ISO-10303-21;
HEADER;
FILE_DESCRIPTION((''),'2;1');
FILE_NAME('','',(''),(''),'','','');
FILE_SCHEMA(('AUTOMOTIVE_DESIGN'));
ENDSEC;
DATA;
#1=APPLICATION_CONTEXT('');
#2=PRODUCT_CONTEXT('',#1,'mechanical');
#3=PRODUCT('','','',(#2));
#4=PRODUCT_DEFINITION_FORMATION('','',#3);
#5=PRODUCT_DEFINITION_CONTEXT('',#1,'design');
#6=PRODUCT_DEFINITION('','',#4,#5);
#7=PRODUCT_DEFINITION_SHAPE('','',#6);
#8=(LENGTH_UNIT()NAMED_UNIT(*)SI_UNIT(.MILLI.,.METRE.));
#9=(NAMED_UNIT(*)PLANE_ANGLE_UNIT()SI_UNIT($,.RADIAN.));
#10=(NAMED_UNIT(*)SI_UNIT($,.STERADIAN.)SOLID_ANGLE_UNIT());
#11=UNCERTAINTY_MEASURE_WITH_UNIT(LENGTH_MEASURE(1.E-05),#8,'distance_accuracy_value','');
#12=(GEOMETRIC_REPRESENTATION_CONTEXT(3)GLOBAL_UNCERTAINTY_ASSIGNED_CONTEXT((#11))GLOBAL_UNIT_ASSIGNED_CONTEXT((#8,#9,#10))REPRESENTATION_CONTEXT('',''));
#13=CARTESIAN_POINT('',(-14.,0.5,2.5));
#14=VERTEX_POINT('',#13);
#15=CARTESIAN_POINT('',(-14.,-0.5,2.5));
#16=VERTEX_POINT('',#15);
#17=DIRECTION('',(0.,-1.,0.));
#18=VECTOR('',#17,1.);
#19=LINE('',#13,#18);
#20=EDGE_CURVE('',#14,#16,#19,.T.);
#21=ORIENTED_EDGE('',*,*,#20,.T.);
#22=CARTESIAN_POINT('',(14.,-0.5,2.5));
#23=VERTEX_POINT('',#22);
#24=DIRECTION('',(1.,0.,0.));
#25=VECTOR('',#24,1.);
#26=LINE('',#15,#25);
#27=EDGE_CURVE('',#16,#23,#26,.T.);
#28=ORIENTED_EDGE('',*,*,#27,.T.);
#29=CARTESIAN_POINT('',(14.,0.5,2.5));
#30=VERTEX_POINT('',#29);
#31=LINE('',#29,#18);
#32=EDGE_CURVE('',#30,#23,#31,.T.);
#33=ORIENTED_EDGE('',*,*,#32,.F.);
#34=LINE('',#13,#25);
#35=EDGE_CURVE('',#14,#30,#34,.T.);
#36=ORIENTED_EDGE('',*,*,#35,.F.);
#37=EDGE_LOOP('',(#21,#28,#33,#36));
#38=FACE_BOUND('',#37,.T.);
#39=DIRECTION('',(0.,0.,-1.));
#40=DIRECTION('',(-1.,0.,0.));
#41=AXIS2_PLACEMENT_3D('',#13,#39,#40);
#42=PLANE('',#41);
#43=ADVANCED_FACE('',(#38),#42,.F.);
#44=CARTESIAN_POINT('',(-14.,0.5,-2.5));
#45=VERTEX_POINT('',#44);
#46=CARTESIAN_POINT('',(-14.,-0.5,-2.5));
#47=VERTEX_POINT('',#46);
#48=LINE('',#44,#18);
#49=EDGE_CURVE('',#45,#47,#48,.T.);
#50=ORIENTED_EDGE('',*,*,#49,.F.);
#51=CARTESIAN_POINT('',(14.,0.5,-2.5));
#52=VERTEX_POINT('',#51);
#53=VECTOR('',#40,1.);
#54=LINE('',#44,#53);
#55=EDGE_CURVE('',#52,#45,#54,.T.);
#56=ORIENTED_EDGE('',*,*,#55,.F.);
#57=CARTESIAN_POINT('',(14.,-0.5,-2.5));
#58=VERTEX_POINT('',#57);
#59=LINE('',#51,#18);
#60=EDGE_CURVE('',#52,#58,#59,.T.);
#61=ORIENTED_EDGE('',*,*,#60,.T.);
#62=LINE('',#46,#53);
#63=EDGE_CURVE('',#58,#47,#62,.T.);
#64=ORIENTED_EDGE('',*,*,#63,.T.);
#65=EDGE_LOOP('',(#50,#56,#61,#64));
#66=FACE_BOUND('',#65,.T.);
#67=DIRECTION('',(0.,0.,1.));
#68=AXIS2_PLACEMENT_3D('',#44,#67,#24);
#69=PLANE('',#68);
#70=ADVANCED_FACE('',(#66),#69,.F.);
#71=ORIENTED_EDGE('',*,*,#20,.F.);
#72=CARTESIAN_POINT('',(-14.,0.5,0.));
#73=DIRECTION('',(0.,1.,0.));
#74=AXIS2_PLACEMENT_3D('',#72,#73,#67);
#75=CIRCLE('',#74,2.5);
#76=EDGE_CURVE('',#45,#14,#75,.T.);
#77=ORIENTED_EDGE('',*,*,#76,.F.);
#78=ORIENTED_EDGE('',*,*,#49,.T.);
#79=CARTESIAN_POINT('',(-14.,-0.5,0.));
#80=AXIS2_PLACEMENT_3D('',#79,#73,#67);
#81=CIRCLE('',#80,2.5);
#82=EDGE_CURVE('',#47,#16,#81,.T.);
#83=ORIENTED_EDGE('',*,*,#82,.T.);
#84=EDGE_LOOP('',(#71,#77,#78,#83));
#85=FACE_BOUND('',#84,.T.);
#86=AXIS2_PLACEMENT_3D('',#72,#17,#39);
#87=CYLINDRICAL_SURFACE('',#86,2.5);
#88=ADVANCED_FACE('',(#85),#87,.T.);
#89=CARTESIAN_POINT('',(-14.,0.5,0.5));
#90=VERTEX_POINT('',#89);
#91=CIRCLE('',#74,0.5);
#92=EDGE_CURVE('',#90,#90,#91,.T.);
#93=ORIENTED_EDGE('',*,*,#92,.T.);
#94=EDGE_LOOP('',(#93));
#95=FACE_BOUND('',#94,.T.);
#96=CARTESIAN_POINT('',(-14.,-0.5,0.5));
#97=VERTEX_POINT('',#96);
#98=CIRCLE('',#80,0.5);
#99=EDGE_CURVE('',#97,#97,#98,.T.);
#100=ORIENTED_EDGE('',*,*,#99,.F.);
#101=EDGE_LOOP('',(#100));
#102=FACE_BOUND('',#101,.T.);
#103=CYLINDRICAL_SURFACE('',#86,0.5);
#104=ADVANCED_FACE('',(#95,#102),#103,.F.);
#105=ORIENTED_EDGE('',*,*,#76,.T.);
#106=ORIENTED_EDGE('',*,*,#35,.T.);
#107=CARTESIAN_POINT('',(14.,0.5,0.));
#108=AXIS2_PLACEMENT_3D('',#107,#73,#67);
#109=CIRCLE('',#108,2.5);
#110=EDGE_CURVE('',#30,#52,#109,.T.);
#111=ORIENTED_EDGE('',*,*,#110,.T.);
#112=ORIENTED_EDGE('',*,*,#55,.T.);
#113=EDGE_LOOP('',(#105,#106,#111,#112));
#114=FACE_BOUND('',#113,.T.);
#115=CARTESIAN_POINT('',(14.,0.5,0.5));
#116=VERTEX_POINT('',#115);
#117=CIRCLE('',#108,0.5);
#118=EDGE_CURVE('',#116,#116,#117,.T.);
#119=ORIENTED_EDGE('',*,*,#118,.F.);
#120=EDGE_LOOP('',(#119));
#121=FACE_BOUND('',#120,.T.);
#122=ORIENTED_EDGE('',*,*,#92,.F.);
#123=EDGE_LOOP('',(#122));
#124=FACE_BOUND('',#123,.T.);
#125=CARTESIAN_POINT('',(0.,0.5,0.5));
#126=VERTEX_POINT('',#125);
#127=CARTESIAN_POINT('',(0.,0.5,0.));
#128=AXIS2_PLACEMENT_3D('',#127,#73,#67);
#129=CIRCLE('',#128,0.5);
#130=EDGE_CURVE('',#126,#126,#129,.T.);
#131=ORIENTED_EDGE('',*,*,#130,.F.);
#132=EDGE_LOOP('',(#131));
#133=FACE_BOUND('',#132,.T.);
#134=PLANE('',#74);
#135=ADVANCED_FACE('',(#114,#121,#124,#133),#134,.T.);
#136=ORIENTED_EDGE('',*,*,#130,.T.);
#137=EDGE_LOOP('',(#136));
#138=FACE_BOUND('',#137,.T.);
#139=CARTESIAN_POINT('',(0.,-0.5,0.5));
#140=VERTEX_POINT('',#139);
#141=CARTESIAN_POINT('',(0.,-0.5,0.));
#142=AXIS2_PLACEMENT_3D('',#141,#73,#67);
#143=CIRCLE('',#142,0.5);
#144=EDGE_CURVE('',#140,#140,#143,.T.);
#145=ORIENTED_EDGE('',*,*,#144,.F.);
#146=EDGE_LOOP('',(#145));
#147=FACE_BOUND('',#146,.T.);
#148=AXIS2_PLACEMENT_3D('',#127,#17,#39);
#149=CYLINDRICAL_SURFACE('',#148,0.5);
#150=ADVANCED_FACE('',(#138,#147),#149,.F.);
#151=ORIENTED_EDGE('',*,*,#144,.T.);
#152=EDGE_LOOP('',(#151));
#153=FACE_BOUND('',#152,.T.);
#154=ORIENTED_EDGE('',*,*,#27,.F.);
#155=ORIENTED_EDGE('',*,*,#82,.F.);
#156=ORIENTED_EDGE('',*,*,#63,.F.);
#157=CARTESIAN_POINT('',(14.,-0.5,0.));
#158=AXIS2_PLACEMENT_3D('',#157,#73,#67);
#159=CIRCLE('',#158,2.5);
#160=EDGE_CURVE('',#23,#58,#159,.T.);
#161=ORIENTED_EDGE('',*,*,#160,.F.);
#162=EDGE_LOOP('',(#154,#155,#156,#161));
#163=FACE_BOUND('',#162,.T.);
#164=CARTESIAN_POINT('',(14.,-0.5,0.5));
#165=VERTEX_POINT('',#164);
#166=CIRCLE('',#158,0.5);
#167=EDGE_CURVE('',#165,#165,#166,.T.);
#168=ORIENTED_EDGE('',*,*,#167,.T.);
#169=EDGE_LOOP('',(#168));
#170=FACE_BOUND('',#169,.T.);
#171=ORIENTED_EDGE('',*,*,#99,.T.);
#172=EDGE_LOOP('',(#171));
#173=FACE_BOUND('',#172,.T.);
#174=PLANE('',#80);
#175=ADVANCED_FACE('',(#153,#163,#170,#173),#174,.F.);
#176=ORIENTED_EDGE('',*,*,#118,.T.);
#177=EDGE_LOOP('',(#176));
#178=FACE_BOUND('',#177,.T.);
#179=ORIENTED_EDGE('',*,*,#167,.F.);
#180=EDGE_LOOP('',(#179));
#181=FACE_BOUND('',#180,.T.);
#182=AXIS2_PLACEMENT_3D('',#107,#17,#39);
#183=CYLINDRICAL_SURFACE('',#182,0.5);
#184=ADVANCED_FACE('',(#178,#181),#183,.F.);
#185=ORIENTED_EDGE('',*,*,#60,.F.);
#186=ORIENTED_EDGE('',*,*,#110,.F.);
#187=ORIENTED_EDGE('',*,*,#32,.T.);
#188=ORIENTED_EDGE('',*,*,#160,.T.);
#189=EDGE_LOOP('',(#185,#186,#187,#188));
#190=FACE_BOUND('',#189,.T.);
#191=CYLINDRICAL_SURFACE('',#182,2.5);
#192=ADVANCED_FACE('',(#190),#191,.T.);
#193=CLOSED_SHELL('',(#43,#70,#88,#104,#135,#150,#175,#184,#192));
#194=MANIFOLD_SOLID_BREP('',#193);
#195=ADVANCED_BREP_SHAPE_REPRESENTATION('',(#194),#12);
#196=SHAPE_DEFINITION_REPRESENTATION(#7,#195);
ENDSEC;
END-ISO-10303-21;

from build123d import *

# Parameters (mm, degrees)
SCHIZZO1_R                   = 0.5
ESTRUSIONE_ESTRUSIONE3_DEPTH = 0.5


with BuildPart() as part:
    # Schizzo1 → Estrusione-Estrusione3 (new body, symmetric)
    with BuildSketch(Plane(origin=(0, 0, 0), x_dir=(1, 0, 0), z_dir=(0, 1, 0))):
        with BuildLine():
            Line((-14, 2.5), (14, 2.5))
            ThreePointArc((14, 2.5), (16.5, 0), (14, -2.5))
            Line((14, -2.5), (-14, -2.5))
            ThreePointArc((-14, -2.5), (-16.5, 0), (-14, 2.5))
        make_face()
        Circle(SCHIZZO1_R, mode=Mode.SUBTRACT)
        with Locations((-14, 0)):
            Circle(SCHIZZO1_R, mode=Mode.SUBTRACT)
        with Locations((14, 0)):
            Circle(SCHIZZO1_R, mode=Mode.SUBTRACT)
    extrude(amount=ESTRUSIONE_ESTRUSIONE3_DEPTH, both=True)


solid = part.part
